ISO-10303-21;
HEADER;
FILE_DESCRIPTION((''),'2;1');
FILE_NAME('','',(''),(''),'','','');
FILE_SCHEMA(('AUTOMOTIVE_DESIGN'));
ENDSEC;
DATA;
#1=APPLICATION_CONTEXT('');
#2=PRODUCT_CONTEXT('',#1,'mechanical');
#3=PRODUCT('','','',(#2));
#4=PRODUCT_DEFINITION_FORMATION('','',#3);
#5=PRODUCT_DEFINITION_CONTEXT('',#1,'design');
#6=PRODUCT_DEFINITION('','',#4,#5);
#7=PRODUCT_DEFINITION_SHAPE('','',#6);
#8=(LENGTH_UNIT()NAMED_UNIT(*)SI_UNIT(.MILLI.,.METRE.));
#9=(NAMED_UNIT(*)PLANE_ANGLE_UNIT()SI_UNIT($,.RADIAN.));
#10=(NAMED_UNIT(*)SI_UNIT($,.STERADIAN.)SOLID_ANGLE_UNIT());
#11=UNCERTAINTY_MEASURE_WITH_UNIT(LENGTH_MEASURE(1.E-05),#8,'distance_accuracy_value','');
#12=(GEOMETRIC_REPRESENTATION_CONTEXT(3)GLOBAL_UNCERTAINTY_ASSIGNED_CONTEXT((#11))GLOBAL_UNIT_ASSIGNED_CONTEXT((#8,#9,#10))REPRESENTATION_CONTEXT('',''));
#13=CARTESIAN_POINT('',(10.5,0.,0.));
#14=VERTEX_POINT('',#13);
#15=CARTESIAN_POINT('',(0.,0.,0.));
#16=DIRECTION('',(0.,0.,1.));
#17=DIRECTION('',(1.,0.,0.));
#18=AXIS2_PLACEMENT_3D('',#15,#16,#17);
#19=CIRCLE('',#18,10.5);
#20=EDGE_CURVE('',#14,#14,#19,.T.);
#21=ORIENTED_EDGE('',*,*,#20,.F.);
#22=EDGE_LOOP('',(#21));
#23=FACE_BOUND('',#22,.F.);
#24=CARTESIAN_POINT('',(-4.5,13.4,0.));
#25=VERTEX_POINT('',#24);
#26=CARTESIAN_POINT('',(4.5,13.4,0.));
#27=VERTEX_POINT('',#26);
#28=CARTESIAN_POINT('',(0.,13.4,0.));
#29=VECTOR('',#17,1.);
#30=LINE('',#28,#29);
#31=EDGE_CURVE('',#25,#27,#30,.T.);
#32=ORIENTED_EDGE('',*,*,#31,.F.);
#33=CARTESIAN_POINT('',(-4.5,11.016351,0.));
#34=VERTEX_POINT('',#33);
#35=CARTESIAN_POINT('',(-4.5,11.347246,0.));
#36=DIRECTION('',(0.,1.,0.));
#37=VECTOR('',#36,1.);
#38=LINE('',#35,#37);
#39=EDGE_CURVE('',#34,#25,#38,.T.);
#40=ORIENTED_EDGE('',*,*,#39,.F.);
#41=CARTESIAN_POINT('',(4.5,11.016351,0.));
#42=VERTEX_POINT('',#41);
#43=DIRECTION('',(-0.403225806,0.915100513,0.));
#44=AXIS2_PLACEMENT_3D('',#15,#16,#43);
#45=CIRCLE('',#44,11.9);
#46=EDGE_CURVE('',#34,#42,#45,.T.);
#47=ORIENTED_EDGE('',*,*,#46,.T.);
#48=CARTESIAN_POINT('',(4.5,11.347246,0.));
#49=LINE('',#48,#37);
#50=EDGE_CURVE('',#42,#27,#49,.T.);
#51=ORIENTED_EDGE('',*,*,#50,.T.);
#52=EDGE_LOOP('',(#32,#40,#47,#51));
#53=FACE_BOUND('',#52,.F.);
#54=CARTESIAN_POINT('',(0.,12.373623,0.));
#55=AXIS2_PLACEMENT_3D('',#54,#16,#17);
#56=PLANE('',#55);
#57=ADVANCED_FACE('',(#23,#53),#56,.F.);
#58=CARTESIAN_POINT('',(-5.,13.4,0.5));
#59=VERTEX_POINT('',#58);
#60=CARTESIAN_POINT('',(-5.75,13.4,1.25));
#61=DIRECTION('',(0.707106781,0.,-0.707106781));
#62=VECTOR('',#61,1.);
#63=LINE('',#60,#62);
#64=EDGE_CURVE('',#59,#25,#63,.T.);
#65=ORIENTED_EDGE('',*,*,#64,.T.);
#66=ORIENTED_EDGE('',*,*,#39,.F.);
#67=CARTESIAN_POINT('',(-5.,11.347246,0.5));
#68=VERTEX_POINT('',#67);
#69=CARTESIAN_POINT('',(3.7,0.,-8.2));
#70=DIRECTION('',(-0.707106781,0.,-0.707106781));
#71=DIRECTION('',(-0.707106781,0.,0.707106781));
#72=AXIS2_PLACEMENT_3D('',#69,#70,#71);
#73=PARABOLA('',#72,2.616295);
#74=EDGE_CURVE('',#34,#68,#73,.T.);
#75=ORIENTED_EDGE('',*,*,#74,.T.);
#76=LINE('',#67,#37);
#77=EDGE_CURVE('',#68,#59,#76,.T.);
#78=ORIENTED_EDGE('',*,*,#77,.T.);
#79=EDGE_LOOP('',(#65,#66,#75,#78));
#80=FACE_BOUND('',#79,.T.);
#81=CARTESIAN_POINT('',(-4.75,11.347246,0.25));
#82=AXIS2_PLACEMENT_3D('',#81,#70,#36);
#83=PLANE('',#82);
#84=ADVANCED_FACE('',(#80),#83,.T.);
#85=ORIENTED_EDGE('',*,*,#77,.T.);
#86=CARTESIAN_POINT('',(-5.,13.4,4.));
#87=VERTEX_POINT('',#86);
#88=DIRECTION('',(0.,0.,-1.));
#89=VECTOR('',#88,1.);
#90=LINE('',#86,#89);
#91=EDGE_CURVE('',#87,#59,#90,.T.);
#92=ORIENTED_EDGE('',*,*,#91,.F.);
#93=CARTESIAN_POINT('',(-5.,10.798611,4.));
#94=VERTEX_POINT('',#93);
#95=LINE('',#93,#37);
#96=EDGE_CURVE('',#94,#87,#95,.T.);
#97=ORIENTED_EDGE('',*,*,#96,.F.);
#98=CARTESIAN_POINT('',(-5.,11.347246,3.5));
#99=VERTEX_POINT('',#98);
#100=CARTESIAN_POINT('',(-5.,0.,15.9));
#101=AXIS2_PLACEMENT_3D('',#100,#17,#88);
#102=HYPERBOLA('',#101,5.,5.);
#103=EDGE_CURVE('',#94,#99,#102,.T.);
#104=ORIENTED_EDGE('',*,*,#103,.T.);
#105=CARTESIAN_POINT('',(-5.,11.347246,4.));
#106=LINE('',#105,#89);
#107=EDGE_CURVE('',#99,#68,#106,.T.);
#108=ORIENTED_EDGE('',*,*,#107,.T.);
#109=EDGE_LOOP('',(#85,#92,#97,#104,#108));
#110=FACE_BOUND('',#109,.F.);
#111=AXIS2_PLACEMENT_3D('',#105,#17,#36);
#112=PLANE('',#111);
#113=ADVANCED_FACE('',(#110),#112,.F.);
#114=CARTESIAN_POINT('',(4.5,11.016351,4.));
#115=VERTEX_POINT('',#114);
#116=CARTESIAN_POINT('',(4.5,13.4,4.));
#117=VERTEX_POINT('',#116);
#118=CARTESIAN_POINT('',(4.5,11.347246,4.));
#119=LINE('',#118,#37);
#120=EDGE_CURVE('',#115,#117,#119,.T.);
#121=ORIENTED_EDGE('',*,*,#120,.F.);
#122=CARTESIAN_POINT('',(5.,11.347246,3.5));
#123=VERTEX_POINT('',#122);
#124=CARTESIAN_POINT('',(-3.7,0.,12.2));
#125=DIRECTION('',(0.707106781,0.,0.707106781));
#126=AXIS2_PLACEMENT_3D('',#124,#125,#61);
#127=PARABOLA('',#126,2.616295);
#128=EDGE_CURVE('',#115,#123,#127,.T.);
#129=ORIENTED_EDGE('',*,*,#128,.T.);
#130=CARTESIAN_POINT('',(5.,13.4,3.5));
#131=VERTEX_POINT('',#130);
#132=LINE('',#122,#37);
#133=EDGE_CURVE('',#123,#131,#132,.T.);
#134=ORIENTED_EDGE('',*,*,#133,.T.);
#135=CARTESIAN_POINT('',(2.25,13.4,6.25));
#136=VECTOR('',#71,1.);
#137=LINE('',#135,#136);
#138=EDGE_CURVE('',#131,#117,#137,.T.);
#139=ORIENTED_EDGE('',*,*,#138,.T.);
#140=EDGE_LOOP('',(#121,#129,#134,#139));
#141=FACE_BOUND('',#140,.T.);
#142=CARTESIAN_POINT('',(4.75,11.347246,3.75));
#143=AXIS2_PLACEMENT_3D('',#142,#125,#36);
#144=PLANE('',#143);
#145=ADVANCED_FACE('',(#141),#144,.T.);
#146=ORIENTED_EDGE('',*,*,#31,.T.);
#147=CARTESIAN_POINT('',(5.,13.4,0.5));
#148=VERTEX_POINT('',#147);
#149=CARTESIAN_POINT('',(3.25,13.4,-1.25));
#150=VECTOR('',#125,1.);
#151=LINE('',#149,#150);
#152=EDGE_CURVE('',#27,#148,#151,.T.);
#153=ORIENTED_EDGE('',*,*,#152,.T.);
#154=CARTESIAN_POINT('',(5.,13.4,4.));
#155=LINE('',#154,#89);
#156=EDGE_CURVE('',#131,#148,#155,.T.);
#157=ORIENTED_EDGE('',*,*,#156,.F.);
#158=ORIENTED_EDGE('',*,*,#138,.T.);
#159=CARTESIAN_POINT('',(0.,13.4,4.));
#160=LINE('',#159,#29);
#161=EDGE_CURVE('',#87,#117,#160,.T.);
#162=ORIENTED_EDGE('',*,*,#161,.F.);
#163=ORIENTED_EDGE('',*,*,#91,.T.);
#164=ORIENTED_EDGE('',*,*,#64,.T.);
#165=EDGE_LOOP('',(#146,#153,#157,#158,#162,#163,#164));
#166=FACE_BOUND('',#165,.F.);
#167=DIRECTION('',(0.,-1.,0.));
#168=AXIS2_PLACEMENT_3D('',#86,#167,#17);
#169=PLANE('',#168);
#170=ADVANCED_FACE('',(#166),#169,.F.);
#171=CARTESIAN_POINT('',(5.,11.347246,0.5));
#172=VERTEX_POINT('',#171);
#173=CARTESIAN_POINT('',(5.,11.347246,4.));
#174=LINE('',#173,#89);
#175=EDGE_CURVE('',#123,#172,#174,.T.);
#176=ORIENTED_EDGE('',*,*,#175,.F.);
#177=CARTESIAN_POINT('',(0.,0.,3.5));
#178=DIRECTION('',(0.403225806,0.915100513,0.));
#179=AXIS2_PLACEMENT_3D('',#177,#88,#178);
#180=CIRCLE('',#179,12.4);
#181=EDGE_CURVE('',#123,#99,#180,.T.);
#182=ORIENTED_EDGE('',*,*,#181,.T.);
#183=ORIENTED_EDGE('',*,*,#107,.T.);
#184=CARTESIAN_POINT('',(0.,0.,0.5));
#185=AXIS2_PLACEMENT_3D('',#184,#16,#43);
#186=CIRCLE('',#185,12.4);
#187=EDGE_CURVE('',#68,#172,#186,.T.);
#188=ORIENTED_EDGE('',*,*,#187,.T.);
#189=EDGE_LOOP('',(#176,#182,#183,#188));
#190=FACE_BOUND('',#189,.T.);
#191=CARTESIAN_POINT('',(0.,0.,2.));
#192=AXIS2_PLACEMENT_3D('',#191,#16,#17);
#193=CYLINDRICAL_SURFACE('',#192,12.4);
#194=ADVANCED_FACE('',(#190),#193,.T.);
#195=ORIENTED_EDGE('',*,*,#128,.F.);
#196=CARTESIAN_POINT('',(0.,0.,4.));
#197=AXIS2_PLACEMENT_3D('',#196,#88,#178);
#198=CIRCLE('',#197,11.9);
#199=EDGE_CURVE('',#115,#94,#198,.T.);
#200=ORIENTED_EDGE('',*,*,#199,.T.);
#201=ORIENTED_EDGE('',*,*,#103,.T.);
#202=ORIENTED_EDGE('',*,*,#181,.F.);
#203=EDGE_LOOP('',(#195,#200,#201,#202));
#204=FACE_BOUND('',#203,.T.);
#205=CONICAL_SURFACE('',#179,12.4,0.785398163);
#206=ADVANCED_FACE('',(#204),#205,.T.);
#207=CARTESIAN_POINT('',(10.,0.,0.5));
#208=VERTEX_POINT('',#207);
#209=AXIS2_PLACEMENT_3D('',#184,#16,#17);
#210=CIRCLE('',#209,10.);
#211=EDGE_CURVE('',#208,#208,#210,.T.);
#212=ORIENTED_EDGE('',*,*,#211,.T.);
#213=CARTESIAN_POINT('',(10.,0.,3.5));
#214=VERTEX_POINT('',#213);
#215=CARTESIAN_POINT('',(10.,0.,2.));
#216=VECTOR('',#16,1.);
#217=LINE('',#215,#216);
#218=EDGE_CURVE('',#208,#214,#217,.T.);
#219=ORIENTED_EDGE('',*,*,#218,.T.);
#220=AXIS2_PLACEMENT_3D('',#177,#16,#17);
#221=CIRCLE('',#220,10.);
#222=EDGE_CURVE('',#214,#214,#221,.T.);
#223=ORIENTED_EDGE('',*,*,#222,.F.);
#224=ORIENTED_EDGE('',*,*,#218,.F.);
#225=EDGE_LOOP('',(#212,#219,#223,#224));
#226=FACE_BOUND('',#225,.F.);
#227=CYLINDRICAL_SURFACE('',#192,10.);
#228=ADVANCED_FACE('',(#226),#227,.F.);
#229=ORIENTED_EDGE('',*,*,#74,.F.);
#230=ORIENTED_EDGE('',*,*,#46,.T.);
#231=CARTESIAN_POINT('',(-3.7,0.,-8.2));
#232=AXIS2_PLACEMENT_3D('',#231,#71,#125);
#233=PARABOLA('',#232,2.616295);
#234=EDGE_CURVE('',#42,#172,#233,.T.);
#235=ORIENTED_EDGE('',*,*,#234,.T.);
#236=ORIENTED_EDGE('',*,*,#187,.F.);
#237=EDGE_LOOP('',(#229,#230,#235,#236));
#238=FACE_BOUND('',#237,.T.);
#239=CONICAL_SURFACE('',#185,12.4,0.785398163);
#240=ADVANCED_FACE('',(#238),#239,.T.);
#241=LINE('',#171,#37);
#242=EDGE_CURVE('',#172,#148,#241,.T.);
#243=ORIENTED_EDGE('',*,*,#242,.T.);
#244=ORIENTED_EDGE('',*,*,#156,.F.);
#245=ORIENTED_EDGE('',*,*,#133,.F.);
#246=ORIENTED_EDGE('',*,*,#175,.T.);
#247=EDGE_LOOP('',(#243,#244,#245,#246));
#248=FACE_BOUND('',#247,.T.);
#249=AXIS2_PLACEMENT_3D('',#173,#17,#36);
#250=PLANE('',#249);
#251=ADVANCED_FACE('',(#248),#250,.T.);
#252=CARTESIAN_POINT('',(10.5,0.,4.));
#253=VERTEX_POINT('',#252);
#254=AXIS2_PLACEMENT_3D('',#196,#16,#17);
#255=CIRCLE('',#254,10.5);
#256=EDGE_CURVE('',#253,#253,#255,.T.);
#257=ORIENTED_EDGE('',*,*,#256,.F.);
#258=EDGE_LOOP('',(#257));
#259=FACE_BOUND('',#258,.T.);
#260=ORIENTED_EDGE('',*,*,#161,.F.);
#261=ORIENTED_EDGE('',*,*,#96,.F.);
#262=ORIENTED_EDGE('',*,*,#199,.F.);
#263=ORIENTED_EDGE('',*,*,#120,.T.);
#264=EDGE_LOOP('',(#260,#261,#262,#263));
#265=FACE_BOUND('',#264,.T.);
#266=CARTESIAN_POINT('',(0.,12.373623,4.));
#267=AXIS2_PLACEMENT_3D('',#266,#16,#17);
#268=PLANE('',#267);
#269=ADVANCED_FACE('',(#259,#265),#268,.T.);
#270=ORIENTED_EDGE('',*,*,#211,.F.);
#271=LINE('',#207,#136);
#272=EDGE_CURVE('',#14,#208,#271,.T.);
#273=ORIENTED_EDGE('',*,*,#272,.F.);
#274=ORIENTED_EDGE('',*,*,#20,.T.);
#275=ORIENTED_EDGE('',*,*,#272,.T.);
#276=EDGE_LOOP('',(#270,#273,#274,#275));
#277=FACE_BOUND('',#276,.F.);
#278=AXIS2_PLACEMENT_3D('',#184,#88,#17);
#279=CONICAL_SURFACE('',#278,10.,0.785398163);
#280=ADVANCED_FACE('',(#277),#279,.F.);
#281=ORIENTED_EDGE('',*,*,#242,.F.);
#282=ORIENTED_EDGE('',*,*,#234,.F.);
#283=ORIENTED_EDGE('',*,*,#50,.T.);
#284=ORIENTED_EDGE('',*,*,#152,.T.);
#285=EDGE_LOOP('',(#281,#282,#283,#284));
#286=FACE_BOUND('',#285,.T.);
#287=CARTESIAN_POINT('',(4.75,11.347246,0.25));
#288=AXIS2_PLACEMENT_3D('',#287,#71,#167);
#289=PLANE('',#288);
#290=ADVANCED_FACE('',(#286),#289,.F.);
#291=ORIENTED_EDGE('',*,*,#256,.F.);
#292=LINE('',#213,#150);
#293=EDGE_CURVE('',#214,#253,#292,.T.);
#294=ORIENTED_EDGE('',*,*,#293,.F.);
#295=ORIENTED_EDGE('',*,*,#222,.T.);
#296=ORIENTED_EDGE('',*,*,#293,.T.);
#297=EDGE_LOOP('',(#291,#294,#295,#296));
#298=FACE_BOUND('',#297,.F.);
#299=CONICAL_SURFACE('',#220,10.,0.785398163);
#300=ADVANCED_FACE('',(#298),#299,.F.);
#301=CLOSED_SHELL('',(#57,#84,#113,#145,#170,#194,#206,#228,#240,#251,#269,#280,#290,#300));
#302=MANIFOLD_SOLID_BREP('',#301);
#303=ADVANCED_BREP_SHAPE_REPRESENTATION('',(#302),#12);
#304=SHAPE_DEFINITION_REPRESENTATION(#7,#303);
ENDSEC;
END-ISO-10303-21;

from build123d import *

# Parameters (mm, degrees)
F0_W     = 2.4
F0_H     = 4
F2_W     = 10
F2_H     = 2.052753638
F3_DEPTH = 4
F4_SIZE  = 0.5


with BuildPart() as f1:
    # F0 (on Front) → F1 (revolve)
    with BuildSketch(Plane.XZ):
        with Locations((11.2, 2)):
            Rectangle(F0_W, F0_H)
    revolve(axis=Axis((0, 0, 5.2245724946), (0, 0, 1)))

    # F2 (on face) → F3 (join, through all)
    with BuildSketch(Plane.XY.offset(4)):
        with Locations((0, 12.373623181)):
            Rectangle(F2_W, F2_H)
    extrude(amount=-F3_DEPTH)

    # F4
    f4_edges = [f1.edges().sort_by_distance(p)[0] for p in [
        (0, -12.4, 4),
        (5, 12.373623, 4),
        (0, -12.4, 0),
        (5, 12.373623, 0),
        (-5, 12.373623, 0),
        (-10, 0, 4),
        (-10, 0, 0),
    ]]
    chamfer(f4_edges, length=F4_SIZE)


solid = f1.part
